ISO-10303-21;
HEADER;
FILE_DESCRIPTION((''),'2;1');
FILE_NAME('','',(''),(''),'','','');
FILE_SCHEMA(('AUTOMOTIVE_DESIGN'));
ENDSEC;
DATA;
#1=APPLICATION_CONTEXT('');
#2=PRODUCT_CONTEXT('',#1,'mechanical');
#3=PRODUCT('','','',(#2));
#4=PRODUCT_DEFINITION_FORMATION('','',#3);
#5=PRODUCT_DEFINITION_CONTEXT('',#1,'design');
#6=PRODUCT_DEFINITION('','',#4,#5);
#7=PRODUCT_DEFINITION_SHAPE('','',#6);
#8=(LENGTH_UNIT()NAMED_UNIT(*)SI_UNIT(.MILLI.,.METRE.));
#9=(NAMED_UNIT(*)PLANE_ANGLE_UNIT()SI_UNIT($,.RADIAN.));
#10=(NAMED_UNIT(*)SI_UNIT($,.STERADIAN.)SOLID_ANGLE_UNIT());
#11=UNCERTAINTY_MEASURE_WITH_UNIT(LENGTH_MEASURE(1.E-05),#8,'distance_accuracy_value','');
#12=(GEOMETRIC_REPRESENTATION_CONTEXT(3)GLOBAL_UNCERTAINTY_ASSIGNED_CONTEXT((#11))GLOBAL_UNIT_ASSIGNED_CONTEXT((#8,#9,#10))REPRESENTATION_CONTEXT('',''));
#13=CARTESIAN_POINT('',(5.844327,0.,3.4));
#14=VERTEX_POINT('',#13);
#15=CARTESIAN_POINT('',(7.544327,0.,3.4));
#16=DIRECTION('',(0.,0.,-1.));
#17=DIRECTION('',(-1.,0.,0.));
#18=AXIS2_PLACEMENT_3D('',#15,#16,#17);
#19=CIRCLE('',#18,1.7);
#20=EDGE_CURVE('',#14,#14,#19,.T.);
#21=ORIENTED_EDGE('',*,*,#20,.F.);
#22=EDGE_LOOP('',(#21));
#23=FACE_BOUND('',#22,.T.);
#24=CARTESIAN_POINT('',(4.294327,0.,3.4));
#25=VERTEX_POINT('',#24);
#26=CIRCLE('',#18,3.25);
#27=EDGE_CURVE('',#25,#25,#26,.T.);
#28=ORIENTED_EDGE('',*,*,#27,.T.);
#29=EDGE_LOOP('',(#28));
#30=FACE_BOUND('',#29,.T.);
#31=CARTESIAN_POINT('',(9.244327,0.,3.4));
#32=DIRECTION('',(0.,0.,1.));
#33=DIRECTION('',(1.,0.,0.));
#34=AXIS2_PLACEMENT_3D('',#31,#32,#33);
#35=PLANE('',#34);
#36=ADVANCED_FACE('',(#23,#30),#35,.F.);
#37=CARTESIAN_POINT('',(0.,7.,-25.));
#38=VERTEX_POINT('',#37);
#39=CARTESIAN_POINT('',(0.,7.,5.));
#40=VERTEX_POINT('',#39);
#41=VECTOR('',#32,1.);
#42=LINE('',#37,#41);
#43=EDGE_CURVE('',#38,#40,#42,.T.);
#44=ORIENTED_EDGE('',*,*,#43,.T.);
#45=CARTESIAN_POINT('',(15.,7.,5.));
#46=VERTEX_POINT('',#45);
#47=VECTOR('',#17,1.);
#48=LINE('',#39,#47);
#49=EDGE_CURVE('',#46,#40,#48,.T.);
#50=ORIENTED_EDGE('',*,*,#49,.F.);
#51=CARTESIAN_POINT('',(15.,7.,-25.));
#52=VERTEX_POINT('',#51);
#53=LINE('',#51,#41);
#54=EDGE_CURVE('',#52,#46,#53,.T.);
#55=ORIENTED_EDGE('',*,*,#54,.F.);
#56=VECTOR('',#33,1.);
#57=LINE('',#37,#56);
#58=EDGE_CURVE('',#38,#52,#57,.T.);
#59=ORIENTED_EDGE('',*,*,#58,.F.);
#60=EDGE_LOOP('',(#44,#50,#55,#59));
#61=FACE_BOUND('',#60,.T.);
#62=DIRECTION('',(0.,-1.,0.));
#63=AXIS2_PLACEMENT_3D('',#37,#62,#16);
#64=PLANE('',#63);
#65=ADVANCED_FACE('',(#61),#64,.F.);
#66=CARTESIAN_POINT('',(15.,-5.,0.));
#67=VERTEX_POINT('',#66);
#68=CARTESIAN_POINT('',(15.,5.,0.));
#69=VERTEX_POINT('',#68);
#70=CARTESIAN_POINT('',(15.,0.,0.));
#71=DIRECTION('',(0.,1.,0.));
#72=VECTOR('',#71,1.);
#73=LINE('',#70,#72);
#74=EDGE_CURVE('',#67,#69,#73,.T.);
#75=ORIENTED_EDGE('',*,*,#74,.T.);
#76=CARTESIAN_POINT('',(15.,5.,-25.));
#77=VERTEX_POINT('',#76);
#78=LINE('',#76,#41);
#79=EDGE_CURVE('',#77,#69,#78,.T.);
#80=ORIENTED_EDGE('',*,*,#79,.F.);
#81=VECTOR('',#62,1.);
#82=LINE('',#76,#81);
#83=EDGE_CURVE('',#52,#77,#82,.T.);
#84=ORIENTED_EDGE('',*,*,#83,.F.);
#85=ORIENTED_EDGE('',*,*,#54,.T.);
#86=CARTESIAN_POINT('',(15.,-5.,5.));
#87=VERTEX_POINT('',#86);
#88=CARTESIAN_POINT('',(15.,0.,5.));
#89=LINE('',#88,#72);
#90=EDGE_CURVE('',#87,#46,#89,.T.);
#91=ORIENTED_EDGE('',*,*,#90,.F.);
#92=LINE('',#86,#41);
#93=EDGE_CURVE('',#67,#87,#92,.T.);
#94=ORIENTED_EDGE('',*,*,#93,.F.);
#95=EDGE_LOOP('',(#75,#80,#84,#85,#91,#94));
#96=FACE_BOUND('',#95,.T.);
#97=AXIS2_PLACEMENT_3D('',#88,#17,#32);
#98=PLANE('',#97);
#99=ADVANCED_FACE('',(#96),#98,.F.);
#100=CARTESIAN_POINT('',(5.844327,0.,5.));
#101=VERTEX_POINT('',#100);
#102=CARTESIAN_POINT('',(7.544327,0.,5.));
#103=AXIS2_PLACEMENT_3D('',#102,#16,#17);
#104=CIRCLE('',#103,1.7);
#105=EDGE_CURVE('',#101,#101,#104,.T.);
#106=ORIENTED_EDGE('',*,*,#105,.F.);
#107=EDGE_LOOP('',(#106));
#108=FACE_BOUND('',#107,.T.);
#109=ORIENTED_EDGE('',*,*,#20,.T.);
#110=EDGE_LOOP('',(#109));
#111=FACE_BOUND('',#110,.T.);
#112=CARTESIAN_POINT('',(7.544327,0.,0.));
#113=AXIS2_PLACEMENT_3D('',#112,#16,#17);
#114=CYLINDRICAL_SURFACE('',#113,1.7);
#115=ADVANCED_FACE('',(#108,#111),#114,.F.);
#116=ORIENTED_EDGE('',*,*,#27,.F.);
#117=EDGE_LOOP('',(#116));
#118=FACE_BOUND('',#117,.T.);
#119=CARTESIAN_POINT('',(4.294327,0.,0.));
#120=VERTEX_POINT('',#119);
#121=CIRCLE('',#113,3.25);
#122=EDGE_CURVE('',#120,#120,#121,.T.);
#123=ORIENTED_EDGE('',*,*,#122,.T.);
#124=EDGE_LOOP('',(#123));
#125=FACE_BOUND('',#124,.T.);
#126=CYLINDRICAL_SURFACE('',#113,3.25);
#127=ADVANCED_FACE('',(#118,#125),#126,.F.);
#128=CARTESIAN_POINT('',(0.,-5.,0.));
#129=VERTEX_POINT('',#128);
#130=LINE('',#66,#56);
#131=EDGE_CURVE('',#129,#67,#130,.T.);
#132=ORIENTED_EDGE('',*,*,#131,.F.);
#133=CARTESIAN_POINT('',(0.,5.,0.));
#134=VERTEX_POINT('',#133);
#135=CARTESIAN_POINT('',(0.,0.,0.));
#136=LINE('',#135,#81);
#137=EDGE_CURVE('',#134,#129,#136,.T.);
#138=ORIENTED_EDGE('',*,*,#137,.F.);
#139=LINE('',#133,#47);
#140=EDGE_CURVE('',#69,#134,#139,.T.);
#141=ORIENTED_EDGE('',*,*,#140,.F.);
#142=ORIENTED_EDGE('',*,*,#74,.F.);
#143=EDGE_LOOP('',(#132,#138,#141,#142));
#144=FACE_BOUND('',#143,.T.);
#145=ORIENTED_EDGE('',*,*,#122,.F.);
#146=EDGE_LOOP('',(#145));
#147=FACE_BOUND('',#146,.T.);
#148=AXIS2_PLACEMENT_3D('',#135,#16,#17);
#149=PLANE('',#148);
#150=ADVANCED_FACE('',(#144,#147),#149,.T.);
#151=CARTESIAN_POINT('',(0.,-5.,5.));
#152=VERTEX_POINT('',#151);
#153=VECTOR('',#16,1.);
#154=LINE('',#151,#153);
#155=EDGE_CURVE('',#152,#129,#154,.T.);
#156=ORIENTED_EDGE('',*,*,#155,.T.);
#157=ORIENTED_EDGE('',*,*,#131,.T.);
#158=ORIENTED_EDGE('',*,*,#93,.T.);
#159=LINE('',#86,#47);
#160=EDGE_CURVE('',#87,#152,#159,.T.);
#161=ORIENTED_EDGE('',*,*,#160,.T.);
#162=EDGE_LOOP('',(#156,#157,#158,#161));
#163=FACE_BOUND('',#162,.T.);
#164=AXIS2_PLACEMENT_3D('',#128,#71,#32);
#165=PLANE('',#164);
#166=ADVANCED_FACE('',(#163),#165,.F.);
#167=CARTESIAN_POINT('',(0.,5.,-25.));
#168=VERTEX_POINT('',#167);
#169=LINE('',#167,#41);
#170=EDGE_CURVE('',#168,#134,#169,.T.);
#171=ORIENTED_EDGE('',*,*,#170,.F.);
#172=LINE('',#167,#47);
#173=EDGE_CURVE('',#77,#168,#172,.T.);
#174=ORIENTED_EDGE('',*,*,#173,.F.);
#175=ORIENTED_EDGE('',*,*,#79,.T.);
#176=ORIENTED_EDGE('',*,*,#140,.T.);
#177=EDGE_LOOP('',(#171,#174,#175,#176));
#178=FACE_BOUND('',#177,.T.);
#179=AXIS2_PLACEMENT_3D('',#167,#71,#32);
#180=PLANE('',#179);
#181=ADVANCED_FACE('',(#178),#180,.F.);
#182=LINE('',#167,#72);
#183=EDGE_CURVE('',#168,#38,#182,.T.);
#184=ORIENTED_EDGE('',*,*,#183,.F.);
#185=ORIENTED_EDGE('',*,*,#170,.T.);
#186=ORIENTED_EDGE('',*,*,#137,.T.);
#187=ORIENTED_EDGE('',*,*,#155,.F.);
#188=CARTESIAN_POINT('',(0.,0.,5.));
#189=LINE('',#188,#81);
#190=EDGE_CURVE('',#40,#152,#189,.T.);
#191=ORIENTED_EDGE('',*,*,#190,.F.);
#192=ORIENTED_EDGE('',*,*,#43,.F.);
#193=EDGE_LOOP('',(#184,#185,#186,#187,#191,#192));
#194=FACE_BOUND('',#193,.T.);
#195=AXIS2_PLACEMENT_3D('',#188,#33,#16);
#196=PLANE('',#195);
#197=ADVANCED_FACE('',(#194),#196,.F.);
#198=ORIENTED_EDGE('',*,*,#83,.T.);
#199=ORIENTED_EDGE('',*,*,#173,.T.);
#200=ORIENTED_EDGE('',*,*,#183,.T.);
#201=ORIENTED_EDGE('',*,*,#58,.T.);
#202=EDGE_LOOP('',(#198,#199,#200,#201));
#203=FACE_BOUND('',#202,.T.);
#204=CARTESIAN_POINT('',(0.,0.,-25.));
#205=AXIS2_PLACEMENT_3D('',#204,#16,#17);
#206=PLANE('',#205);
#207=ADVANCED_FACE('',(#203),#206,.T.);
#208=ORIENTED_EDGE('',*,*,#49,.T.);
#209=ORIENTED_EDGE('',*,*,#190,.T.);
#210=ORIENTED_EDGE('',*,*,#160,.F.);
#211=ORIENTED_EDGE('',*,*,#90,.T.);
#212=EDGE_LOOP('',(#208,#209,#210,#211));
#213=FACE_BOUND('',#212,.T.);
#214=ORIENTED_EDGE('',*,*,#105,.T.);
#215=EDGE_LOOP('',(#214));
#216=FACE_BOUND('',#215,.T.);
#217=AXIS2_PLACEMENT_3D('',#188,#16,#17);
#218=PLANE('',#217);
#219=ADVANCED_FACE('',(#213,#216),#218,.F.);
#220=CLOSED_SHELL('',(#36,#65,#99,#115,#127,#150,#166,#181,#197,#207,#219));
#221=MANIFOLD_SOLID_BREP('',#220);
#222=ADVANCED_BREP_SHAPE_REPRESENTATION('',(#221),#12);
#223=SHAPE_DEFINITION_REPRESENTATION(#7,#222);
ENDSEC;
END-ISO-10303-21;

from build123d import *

# Parameters (mm, degrees)
SKETCH_1_W                   = 15
SKETCH_1_H                   = 12
EXTRUDE_1_DEPTH              = 5
SKETCH_2_W                   = 15
SKETCH_2_H                   = 2
EXTRUDE_2_DEPTH              = 25
SKETCH_6_W                   = 15
SKETCH_6_H                   = 5
CUT_EXTRUDE_2_DEPTH          = 6
SKETCH_7_W                   = 15
SKETCH_7_H                   = 5
EXTRUDE_3_DEPTH              = 5
HOLE_WIZARD_M3_1_D           = 3.4
HOLE_WIZARD_M3_1_DEPTH       = 7.5
HOLE_WIZARD_M3_1_CBORE_D     = 6.5
HOLE_WIZARD_M3_1_CBORE_DEPTH = 3.4
HOLE_WIZARD_M3_1_TIP         = 1.021463052


with BuildPart() as part:
    # 草图1 → 凸台-拉伸1 (new body)
    with BuildSketch(Plane.XY):
        with Locations((7.5, 6)):
            Rectangle(SKETCH_1_W, SKETCH_1_H)
    extrude(amount=EXTRUDE_1_DEPTH)

    # 草图2 → 凸台-拉伸2 (add)
    with BuildSketch(Plane(origin=(0, 0, 0), x_dir=(-1, 0, 0), z_dir=(0, 0, -1))):
        with Locations((-7.5, 6)):
            Rectangle(SKETCH_2_W, SKETCH_2_H)
    extrude(amount=EXTRUDE_2_DEPTH)

    # 草图6 → 切除-拉伸2 (cut, through all)
    with BuildSketch(Plane(origin=(0, 0, 0), x_dir=(-1, 0, 0), z_dir=(0, 0, -1))):
        with Locations((-7.5, 9.5)):
            Rectangle(SKETCH_6_W, SKETCH_6_H)
    extrude(amount=-CUT_EXTRUDE_2_DEPTH, mode=Mode.SUBTRACT)

    # 草图7 → 凸台-拉伸3 (add)
    with BuildSketch(Plane.XZ):
        with Locations((7.5, 2.5)):
            Rectangle(SKETCH_7_W, SKETCH_7_H)
    extrude(amount=EXTRUDE_3_DEPTH)

    # M3 六角凹头螺钉的柱形沉头孔1
    with Locations(Plane(origin=(0, 0, 0), x_dir=(-1, 0, 0), z_dir=(0, 0, -1))):
        with Locations((-7.544327116, 0)):
            CounterBoreHole(HOLE_WIZARD_M3_1_D / 2, HOLE_WIZARD_M3_1_CBORE_D / 2, HOLE_WIZARD_M3_1_CBORE_DEPTH, depth=HOLE_WIZARD_M3_1_DEPTH)
            with Locations((0, 0, -(HOLE_WIZARD_M3_1_DEPTH + HOLE_WIZARD_M3_1_TIP / 2))):  # 118° drill point
                Cone(0, HOLE_WIZARD_M3_1_D / 2, HOLE_WIZARD_M3_1_TIP, mode=Mode.SUBTRACT)


solid = part.part
